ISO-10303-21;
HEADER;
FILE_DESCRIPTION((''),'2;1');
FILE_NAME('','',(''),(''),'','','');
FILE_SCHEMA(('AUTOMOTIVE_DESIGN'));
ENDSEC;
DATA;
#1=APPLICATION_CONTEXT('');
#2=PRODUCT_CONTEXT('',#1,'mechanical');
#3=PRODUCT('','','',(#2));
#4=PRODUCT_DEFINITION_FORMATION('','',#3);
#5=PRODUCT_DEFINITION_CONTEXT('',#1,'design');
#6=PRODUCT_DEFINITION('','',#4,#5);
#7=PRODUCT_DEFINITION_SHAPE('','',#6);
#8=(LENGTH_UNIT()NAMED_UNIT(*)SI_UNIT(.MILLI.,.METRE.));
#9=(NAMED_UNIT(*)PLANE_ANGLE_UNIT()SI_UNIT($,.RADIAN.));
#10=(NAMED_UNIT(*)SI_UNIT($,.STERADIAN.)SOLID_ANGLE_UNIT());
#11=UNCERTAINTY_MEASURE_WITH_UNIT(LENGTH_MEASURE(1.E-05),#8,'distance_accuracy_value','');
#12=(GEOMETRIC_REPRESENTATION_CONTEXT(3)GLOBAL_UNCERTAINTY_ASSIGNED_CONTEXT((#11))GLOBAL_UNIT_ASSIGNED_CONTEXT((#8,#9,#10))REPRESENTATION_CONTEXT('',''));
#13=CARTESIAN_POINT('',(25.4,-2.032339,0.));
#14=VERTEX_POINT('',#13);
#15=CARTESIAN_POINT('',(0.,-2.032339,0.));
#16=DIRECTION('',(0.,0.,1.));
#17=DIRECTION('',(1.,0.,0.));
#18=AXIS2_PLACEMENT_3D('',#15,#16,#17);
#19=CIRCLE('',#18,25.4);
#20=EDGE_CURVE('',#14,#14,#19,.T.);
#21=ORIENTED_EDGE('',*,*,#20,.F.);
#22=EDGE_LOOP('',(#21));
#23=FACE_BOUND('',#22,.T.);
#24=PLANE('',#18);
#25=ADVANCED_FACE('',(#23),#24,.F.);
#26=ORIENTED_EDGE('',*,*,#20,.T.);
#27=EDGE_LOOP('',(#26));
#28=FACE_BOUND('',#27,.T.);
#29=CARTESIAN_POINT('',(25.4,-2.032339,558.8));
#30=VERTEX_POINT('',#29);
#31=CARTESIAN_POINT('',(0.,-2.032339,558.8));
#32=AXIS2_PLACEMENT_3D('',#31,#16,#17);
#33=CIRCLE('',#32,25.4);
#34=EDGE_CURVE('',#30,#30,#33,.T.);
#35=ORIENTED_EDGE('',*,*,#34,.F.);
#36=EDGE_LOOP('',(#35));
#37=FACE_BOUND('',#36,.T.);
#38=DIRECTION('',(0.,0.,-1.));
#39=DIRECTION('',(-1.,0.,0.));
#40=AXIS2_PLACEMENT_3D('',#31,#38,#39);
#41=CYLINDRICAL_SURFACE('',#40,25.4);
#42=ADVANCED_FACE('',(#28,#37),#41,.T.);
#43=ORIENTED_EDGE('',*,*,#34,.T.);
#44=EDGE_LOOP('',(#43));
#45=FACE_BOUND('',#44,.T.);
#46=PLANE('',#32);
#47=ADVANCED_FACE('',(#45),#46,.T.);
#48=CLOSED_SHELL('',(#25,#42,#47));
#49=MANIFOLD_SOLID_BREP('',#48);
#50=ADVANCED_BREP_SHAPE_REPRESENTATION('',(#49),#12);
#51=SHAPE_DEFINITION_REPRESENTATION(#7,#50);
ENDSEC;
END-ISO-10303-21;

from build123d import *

# Parameters (mm, degrees)
SKETCH1_R           = 25.4
BOSS_EXTRUDE1_DEPTH = 558.8


with BuildPart() as part:
    # Sketch1 → Boss-Extrude1 (new body)
    with BuildSketch(Plane.XY):
        with Locations((0, -2.032338723)):
            Circle(SKETCH1_R)
    extrude(amount=BOSS_EXTRUDE1_DEPTH)


solid = part.part
